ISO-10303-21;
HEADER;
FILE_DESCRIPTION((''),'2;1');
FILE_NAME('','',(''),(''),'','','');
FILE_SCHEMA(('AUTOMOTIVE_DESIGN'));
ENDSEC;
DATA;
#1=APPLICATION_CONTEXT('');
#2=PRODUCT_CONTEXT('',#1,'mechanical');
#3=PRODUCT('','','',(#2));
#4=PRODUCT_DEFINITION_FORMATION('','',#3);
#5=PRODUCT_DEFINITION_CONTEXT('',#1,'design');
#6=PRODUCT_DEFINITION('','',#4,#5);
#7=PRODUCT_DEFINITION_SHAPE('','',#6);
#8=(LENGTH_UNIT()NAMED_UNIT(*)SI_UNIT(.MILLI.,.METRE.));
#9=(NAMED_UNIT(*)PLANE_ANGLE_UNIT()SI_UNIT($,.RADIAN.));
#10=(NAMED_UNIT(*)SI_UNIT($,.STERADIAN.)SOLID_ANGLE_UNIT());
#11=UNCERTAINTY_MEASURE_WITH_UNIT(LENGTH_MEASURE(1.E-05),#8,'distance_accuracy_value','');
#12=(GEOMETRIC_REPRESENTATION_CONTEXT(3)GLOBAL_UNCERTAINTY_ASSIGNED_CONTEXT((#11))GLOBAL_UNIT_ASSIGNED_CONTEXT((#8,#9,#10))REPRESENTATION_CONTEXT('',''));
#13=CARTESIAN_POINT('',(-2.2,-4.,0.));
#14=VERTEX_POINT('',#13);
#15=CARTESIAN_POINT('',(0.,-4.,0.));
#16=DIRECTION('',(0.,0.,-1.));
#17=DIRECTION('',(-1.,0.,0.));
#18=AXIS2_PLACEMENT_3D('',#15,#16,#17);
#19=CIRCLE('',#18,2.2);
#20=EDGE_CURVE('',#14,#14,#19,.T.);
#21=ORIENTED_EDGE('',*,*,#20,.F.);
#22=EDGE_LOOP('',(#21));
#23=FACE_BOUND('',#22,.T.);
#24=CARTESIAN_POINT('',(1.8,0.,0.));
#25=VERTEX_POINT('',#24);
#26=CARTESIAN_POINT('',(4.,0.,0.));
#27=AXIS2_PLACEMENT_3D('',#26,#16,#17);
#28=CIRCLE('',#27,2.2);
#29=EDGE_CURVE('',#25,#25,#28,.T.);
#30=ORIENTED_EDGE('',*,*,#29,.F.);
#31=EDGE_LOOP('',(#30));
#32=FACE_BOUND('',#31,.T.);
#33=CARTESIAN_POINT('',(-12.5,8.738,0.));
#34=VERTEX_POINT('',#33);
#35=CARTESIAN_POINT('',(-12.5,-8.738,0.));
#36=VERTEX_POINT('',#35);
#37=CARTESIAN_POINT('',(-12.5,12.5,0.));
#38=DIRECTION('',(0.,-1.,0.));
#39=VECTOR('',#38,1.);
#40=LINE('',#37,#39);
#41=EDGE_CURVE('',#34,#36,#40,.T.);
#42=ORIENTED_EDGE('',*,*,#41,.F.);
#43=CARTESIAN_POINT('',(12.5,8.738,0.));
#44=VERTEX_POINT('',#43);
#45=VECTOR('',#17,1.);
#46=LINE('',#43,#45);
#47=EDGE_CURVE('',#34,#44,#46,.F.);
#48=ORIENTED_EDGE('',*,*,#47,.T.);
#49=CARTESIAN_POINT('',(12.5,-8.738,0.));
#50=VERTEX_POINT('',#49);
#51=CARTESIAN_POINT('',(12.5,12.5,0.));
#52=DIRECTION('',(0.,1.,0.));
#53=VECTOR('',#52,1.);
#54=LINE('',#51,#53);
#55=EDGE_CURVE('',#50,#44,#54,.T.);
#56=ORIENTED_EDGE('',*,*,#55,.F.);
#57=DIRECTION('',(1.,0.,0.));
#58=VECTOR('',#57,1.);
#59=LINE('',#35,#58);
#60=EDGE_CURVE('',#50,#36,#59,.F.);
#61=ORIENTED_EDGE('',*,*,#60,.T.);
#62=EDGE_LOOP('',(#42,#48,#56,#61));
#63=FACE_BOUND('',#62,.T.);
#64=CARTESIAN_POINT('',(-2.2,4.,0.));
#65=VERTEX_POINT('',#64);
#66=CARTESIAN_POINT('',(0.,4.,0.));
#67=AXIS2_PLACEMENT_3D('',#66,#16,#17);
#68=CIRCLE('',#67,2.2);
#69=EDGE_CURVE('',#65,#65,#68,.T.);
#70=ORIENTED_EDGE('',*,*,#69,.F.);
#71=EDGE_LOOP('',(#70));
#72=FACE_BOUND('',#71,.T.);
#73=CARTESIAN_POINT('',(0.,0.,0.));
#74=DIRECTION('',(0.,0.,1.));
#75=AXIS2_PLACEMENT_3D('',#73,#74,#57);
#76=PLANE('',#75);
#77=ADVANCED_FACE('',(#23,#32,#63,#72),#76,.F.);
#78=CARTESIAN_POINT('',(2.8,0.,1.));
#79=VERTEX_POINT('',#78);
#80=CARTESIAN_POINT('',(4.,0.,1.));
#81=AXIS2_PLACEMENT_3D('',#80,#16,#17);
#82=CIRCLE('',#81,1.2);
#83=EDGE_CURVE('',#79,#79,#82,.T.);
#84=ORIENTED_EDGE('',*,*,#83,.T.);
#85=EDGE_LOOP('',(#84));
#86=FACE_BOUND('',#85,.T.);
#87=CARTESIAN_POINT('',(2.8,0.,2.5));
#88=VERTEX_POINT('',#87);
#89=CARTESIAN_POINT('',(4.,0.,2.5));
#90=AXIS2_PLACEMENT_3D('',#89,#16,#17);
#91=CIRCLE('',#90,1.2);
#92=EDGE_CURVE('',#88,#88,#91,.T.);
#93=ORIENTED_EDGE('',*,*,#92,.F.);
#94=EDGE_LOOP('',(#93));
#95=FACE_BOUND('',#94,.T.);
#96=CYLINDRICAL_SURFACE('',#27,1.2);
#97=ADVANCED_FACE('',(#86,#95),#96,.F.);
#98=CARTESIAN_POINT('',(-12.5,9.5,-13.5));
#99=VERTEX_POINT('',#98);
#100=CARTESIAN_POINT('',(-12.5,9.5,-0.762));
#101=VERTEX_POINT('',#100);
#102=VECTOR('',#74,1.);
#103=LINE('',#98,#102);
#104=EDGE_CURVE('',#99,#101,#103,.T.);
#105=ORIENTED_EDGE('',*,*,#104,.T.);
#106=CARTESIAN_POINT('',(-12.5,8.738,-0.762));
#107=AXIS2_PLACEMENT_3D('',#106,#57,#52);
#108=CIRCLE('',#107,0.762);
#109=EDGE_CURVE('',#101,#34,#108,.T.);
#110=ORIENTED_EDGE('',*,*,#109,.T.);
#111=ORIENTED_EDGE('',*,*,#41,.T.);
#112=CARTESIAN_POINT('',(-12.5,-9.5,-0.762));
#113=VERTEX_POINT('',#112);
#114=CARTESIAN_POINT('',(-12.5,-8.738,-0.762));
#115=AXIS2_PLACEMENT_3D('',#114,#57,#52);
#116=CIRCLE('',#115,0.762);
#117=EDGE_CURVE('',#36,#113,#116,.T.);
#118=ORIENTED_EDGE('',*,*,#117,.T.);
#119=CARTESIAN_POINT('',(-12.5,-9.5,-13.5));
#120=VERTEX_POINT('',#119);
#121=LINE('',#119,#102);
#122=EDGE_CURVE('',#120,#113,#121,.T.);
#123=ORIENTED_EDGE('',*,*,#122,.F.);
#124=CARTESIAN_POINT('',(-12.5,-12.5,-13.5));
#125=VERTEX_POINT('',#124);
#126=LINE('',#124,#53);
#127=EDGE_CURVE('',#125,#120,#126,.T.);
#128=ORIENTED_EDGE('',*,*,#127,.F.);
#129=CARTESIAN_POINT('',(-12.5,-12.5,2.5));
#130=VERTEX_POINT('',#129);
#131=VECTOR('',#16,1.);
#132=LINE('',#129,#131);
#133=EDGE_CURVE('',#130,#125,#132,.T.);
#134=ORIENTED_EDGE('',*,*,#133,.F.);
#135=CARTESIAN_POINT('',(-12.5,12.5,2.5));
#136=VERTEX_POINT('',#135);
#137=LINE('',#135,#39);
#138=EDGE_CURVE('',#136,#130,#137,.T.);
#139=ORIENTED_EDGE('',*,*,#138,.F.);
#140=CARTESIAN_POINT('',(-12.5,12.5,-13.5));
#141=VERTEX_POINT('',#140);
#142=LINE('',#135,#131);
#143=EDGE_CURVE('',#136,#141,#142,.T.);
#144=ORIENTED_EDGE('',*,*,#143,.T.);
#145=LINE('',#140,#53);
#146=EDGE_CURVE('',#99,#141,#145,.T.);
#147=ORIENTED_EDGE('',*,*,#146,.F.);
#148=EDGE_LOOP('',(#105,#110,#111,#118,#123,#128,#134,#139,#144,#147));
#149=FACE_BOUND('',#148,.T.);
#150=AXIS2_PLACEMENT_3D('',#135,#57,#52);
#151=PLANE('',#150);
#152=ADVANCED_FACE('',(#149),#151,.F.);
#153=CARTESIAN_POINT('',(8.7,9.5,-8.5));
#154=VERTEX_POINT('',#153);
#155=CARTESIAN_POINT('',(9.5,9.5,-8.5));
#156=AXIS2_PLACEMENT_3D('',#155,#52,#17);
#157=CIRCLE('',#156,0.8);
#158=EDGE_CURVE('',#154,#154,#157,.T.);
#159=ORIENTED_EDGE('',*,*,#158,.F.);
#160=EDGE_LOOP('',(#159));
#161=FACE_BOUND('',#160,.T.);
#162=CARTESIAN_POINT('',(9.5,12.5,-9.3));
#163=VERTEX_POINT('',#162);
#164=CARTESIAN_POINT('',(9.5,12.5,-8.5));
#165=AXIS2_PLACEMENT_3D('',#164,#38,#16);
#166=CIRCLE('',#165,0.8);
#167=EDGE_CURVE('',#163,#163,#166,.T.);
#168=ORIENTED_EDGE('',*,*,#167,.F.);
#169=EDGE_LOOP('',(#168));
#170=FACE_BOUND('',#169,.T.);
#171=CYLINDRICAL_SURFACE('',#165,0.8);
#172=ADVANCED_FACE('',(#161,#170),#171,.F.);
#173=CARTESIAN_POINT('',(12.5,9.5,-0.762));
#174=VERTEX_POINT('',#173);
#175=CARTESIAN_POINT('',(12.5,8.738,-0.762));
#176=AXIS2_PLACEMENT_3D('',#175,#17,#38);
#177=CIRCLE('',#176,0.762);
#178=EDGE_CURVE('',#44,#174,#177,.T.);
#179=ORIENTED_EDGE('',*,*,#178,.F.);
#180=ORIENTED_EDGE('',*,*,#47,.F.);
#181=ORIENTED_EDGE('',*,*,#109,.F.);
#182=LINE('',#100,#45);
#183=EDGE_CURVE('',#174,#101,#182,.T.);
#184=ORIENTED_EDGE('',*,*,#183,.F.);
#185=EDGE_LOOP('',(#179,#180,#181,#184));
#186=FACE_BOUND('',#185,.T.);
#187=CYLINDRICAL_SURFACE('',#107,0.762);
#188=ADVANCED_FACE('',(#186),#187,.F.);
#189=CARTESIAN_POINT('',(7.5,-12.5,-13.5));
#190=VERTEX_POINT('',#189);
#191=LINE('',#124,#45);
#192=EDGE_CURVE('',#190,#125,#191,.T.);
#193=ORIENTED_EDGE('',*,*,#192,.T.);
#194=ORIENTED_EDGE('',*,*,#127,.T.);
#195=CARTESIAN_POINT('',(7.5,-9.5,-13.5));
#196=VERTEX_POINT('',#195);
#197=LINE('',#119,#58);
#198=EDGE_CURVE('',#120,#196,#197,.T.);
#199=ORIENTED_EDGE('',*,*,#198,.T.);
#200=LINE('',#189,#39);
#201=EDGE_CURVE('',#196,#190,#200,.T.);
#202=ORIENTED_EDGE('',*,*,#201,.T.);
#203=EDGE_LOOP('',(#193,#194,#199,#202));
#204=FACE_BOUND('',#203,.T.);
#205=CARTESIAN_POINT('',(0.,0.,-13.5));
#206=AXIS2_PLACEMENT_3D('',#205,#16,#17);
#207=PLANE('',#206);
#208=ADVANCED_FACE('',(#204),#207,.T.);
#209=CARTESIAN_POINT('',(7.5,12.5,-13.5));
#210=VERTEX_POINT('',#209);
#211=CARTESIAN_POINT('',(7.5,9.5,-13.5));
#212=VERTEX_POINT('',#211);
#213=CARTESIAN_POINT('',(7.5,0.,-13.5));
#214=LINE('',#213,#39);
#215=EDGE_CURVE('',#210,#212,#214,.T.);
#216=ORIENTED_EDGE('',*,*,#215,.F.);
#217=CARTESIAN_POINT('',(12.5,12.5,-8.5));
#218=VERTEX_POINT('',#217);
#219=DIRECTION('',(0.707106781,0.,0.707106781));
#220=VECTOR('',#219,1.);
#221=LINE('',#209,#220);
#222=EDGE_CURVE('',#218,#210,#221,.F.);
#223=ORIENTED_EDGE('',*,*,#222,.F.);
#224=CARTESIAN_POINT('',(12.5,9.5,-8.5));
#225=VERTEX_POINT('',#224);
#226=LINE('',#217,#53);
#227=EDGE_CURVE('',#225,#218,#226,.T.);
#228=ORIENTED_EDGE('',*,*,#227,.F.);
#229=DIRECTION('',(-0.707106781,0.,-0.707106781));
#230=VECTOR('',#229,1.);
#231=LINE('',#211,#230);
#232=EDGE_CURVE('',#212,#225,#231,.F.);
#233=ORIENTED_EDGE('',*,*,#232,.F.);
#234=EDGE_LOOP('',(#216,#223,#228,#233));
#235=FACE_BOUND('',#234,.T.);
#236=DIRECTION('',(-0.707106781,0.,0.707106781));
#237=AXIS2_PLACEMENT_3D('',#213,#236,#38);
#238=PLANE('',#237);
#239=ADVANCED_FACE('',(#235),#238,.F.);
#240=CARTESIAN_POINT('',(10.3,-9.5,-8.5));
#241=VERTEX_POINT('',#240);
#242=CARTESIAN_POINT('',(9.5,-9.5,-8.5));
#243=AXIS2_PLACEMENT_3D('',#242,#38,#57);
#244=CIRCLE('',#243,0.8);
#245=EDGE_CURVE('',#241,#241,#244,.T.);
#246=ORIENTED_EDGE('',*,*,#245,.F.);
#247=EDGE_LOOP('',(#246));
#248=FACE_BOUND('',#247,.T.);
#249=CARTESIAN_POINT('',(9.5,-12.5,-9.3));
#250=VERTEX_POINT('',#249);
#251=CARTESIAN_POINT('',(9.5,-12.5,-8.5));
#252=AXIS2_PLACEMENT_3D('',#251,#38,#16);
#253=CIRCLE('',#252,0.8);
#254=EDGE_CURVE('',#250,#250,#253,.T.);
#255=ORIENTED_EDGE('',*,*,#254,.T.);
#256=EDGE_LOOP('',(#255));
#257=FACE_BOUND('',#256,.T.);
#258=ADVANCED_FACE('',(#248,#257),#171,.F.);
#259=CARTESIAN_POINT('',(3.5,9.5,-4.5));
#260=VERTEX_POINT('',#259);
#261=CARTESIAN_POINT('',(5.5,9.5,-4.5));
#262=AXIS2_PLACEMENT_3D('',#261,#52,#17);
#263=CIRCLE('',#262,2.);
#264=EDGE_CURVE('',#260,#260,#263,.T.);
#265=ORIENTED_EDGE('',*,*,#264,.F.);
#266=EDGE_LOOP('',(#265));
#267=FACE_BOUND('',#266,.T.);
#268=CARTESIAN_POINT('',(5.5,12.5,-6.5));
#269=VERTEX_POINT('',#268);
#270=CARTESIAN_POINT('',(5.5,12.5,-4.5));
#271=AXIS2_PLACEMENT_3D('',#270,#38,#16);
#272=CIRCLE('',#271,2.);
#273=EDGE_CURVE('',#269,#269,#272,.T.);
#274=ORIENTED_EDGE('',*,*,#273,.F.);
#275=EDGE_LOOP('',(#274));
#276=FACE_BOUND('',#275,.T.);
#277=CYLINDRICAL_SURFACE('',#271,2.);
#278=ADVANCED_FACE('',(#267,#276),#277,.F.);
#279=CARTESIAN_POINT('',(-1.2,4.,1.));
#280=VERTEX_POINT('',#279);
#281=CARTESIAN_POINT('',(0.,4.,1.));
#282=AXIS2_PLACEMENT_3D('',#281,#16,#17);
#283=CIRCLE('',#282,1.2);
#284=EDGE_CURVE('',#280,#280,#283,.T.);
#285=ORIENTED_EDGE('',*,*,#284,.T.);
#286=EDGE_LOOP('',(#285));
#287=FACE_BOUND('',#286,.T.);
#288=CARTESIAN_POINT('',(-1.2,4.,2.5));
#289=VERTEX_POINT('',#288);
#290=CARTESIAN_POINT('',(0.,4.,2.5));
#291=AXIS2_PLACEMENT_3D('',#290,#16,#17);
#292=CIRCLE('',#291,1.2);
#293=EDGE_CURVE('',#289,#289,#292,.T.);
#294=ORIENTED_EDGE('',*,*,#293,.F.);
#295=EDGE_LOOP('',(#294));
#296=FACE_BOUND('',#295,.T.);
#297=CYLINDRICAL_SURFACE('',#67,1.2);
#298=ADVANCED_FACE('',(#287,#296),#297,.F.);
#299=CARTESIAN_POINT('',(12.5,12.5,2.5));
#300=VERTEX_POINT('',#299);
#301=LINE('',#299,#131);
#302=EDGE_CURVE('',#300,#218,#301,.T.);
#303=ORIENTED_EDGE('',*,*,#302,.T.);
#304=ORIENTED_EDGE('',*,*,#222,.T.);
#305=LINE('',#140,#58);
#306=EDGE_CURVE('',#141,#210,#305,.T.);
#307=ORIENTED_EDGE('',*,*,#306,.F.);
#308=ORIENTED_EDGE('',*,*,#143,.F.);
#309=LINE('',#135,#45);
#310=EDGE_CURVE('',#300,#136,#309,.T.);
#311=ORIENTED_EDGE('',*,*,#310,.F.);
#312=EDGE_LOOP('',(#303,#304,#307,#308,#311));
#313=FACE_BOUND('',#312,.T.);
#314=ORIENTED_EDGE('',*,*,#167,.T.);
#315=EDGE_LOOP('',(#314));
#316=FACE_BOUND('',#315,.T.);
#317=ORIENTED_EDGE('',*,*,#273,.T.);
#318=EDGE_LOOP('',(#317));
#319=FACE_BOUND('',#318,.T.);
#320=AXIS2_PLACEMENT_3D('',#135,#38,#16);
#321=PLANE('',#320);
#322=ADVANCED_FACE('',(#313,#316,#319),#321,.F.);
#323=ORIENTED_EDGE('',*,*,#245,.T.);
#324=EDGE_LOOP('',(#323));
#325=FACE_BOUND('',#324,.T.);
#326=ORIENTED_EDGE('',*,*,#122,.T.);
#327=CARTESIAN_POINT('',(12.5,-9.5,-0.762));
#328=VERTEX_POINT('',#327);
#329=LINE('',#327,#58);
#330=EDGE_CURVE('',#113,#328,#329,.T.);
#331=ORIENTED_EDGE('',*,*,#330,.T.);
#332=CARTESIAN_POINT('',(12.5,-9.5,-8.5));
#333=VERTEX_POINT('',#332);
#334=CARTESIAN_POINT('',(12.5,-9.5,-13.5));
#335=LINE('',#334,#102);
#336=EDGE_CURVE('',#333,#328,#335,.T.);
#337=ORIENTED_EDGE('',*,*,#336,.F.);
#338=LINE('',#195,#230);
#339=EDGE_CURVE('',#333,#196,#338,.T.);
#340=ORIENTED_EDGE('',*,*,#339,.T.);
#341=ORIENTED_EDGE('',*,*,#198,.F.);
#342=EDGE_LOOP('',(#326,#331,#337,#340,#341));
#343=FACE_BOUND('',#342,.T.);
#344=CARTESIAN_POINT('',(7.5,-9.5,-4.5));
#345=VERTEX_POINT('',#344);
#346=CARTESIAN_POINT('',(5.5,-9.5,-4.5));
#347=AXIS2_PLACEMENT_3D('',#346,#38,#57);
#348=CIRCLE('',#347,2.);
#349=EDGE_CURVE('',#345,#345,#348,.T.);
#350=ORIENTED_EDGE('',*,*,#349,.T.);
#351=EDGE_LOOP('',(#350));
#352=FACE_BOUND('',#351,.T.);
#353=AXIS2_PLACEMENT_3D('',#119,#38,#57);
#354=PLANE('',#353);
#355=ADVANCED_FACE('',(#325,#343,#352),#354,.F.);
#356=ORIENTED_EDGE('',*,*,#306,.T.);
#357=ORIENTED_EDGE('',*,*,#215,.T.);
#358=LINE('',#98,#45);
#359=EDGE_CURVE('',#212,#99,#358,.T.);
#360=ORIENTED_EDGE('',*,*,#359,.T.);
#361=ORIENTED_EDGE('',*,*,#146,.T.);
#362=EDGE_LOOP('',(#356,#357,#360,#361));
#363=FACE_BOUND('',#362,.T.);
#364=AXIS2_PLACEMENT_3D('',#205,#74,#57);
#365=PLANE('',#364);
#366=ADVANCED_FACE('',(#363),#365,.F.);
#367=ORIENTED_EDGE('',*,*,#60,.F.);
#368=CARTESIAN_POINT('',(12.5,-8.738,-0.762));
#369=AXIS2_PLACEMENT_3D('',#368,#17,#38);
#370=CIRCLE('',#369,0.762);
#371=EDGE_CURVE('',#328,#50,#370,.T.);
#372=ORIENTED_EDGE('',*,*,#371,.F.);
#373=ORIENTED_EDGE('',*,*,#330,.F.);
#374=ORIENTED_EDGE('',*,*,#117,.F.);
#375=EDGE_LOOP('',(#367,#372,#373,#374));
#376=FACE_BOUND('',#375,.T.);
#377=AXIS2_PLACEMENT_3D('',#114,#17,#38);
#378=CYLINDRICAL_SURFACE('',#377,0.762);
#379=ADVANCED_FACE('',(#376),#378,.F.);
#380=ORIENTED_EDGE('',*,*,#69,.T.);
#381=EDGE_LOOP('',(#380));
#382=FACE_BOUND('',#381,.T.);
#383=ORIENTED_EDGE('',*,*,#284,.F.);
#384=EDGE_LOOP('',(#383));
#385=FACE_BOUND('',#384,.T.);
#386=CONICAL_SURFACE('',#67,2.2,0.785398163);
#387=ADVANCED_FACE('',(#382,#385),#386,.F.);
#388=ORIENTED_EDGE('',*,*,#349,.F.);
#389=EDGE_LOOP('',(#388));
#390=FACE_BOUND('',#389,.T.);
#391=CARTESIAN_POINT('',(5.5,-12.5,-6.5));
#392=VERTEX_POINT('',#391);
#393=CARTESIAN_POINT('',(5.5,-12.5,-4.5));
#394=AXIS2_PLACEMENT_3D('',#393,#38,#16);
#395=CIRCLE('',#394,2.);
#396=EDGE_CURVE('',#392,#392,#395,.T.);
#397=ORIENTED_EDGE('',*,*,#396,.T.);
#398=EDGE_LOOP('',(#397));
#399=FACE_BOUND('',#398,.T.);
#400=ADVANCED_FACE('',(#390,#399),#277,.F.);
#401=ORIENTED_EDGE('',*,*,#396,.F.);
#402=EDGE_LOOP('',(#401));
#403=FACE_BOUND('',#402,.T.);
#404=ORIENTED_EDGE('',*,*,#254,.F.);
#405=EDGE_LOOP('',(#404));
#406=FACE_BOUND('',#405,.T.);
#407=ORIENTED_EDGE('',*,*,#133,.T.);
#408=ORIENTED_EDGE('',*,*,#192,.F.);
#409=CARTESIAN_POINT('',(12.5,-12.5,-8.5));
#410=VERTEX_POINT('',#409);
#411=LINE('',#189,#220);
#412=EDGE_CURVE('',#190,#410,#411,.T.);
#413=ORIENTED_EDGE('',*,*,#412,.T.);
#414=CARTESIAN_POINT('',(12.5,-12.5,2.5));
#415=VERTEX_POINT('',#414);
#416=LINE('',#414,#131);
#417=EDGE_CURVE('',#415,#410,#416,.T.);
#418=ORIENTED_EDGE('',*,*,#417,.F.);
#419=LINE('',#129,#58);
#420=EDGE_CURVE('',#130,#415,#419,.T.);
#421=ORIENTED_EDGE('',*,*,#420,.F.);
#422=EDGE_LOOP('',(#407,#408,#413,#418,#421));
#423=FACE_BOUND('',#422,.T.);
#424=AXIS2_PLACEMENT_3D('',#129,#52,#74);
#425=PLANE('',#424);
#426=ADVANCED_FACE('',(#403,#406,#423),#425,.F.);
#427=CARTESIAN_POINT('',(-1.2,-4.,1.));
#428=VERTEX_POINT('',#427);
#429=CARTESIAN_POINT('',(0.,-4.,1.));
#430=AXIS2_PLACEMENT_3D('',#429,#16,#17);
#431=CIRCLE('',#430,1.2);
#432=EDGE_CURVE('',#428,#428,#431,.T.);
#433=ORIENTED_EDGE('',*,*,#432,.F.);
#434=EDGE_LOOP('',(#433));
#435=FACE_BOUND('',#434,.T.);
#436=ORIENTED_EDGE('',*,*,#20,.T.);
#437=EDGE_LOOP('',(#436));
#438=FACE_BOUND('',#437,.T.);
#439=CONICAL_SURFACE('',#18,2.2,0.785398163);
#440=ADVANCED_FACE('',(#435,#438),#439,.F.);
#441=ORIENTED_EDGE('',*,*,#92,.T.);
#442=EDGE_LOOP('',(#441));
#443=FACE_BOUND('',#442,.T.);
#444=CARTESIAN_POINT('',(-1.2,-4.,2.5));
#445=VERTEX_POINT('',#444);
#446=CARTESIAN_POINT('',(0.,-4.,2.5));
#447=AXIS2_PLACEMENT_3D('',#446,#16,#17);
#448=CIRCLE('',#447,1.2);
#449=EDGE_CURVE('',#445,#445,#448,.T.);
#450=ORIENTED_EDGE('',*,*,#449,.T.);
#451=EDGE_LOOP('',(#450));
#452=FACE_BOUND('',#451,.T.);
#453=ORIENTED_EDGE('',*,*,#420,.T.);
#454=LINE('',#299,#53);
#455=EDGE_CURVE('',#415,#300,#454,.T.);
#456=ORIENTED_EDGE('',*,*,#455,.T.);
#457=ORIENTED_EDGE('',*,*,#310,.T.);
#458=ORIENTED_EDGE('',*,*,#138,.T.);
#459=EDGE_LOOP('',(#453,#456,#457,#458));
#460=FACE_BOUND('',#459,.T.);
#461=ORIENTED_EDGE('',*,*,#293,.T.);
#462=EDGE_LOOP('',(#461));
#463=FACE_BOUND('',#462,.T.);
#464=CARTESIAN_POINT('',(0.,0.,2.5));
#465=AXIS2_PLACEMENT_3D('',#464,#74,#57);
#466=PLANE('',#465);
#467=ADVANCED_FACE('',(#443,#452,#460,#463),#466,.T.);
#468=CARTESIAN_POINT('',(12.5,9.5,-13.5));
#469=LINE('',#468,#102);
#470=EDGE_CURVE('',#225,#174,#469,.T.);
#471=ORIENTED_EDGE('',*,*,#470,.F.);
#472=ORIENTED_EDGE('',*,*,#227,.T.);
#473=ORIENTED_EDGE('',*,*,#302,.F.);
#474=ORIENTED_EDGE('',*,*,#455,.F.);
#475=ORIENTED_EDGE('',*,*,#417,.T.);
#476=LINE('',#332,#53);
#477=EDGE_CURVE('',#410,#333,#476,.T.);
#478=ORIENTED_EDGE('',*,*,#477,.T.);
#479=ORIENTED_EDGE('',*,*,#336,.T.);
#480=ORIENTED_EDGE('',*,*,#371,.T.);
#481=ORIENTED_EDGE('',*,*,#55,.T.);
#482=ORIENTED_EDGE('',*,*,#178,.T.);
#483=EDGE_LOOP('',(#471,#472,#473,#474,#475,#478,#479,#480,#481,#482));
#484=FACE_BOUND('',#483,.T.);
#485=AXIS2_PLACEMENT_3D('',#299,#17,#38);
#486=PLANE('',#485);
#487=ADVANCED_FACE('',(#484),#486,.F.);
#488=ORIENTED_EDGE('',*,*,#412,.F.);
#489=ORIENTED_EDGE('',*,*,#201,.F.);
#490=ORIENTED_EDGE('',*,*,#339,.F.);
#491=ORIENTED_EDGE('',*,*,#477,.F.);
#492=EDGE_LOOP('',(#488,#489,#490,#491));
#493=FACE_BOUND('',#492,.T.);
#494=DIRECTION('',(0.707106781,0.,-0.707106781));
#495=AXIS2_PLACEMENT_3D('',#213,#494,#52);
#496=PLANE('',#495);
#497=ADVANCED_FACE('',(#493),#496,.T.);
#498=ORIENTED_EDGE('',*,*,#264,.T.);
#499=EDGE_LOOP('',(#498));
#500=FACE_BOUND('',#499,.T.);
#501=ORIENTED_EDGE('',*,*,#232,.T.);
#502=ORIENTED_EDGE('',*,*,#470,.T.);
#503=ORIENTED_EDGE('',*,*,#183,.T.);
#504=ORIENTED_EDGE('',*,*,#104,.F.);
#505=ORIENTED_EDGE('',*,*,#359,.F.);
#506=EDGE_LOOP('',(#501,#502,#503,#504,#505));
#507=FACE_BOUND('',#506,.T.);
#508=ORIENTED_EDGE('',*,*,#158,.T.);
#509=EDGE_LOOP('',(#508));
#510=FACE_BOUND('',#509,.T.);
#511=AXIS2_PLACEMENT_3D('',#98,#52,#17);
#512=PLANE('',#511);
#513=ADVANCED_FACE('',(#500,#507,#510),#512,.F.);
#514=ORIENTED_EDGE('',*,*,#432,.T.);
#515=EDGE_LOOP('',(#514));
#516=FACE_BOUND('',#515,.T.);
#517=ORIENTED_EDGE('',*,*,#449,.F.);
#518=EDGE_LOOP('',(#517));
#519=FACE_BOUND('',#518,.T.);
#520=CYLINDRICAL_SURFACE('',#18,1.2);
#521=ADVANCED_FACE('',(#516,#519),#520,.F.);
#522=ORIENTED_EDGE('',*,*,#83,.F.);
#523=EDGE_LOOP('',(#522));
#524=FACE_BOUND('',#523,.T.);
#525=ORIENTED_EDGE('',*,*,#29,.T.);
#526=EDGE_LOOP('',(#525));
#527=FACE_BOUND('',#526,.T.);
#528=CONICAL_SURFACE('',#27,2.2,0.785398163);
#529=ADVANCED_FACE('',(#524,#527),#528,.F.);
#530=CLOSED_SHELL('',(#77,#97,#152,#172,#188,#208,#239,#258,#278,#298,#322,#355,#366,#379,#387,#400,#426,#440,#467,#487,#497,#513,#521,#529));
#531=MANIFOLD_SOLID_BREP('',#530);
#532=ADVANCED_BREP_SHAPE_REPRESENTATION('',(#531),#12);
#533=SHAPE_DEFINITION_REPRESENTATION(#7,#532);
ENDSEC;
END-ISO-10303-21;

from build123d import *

# Parameters (mm, degrees)
SKETCH1_W                                       = 25
SKETCH1_H                                       = 25
BOSS_EXTRUDE1_DEPTH                             = 2.5
SKETCH2_W                                       = 25
SKETCH2_H                                       = 3
BOSS_EXTRUDE2_DEPTH                             = 13.5
SKETCH10_R                                      = 2
CUT_EXTRUDE1_DEPTH                              = 26
SKETCH10_3_R                                    = 0.8
CUT_EXTRUDE2_DEPTH                              = 26
FILLET1_R                                       = 0.762
CHAMFER1_SIZE                                   = 5
CSK_FOR_M2_FLAT_HEAD_MACHINE_SCREW1_D           = 2.4
CSK_FOR_M2_FLAT_HEAD_MACHINE_SCREW1_CSINK_D     = 4.4
CSK_FOR_M2_FLAT_HEAD_MACHINE_SCREW1_CSINK_ANGLE = 90


with BuildPart() as part:
    # Sketch1 → Boss-Extrude1 (new body)
    with BuildSketch(Plane.XY):
        Rectangle(SKETCH1_W, SKETCH1_H)
    extrude(amount=BOSS_EXTRUDE1_DEPTH)

    # Sketch2 → Boss-Extrude2 (add)
    with BuildSketch(Plane(origin=(0, 0, 0), x_dir=(-1, 0, 0), z_dir=(0, 0, -1))):
        with Locations((0, 11)):
            Rectangle(SKETCH2_W, SKETCH2_H)
        with Locations((0, -11)):
            Rectangle(SKETCH2_W, SKETCH2_H)
    extrude(amount=BOSS_EXTRUDE2_DEPTH)

    # Sketch10 → Cut-Extrude1 (cut, through all)
    with BuildSketch(Plane.XZ.offset(12.5)):
        with Locations((5.5, -4.5)):
            Circle(SKETCH10_R)
    extrude(amount=-CUT_EXTRUDE1_DEPTH, mode=Mode.SUBTRACT)

    # Sketch10<3> → Cut-Extrude2 (cut, through all)
    with BuildSketch(Plane.XZ.offset(12.5)):
        with Locations((9.5, -8.5)):
            Circle(SKETCH10_3_R)
    extrude(amount=-CUT_EXTRUDE2_DEPTH, mode=Mode.SUBTRACT)

    # Fillet1
    fillet1_edges = [part.edges().sort_by_distance(p)[0] for p in [
        (0, 9.5, 0),
        (0, -9.5, 0),
    ]]
    fillet(fillet1_edges, radius=FILLET1_R)

    # Chamfer1
    chamfer1_edges = [part.edges().sort_by_distance(p)[0] for p in [
        (12.5, 11, -13.5),
        (12.5, -11, -13.5),
    ]]
    chamfer(chamfer1_edges, length=CHAMFER1_SIZE)

    # CSK for M2 Flat Head Machine Screw1 (through all)
    with Locations(Plane(origin=(0, 0, 0), x_dir=(-1, 0, 0), z_dir=(0, 0, -1))):
        with Locations((0, 4), (0, -4), (-4, 0)):
            CounterSinkHole(CSK_FOR_M2_FLAT_HEAD_MACHINE_SCREW1_D / 2, CSK_FOR_M2_FLAT_HEAD_MACHINE_SCREW1_CSINK_D / 2, counter_sink_angle=CSK_FOR_M2_FLAT_HEAD_MACHINE_SCREW1_CSINK_ANGLE)


solid = part.part
